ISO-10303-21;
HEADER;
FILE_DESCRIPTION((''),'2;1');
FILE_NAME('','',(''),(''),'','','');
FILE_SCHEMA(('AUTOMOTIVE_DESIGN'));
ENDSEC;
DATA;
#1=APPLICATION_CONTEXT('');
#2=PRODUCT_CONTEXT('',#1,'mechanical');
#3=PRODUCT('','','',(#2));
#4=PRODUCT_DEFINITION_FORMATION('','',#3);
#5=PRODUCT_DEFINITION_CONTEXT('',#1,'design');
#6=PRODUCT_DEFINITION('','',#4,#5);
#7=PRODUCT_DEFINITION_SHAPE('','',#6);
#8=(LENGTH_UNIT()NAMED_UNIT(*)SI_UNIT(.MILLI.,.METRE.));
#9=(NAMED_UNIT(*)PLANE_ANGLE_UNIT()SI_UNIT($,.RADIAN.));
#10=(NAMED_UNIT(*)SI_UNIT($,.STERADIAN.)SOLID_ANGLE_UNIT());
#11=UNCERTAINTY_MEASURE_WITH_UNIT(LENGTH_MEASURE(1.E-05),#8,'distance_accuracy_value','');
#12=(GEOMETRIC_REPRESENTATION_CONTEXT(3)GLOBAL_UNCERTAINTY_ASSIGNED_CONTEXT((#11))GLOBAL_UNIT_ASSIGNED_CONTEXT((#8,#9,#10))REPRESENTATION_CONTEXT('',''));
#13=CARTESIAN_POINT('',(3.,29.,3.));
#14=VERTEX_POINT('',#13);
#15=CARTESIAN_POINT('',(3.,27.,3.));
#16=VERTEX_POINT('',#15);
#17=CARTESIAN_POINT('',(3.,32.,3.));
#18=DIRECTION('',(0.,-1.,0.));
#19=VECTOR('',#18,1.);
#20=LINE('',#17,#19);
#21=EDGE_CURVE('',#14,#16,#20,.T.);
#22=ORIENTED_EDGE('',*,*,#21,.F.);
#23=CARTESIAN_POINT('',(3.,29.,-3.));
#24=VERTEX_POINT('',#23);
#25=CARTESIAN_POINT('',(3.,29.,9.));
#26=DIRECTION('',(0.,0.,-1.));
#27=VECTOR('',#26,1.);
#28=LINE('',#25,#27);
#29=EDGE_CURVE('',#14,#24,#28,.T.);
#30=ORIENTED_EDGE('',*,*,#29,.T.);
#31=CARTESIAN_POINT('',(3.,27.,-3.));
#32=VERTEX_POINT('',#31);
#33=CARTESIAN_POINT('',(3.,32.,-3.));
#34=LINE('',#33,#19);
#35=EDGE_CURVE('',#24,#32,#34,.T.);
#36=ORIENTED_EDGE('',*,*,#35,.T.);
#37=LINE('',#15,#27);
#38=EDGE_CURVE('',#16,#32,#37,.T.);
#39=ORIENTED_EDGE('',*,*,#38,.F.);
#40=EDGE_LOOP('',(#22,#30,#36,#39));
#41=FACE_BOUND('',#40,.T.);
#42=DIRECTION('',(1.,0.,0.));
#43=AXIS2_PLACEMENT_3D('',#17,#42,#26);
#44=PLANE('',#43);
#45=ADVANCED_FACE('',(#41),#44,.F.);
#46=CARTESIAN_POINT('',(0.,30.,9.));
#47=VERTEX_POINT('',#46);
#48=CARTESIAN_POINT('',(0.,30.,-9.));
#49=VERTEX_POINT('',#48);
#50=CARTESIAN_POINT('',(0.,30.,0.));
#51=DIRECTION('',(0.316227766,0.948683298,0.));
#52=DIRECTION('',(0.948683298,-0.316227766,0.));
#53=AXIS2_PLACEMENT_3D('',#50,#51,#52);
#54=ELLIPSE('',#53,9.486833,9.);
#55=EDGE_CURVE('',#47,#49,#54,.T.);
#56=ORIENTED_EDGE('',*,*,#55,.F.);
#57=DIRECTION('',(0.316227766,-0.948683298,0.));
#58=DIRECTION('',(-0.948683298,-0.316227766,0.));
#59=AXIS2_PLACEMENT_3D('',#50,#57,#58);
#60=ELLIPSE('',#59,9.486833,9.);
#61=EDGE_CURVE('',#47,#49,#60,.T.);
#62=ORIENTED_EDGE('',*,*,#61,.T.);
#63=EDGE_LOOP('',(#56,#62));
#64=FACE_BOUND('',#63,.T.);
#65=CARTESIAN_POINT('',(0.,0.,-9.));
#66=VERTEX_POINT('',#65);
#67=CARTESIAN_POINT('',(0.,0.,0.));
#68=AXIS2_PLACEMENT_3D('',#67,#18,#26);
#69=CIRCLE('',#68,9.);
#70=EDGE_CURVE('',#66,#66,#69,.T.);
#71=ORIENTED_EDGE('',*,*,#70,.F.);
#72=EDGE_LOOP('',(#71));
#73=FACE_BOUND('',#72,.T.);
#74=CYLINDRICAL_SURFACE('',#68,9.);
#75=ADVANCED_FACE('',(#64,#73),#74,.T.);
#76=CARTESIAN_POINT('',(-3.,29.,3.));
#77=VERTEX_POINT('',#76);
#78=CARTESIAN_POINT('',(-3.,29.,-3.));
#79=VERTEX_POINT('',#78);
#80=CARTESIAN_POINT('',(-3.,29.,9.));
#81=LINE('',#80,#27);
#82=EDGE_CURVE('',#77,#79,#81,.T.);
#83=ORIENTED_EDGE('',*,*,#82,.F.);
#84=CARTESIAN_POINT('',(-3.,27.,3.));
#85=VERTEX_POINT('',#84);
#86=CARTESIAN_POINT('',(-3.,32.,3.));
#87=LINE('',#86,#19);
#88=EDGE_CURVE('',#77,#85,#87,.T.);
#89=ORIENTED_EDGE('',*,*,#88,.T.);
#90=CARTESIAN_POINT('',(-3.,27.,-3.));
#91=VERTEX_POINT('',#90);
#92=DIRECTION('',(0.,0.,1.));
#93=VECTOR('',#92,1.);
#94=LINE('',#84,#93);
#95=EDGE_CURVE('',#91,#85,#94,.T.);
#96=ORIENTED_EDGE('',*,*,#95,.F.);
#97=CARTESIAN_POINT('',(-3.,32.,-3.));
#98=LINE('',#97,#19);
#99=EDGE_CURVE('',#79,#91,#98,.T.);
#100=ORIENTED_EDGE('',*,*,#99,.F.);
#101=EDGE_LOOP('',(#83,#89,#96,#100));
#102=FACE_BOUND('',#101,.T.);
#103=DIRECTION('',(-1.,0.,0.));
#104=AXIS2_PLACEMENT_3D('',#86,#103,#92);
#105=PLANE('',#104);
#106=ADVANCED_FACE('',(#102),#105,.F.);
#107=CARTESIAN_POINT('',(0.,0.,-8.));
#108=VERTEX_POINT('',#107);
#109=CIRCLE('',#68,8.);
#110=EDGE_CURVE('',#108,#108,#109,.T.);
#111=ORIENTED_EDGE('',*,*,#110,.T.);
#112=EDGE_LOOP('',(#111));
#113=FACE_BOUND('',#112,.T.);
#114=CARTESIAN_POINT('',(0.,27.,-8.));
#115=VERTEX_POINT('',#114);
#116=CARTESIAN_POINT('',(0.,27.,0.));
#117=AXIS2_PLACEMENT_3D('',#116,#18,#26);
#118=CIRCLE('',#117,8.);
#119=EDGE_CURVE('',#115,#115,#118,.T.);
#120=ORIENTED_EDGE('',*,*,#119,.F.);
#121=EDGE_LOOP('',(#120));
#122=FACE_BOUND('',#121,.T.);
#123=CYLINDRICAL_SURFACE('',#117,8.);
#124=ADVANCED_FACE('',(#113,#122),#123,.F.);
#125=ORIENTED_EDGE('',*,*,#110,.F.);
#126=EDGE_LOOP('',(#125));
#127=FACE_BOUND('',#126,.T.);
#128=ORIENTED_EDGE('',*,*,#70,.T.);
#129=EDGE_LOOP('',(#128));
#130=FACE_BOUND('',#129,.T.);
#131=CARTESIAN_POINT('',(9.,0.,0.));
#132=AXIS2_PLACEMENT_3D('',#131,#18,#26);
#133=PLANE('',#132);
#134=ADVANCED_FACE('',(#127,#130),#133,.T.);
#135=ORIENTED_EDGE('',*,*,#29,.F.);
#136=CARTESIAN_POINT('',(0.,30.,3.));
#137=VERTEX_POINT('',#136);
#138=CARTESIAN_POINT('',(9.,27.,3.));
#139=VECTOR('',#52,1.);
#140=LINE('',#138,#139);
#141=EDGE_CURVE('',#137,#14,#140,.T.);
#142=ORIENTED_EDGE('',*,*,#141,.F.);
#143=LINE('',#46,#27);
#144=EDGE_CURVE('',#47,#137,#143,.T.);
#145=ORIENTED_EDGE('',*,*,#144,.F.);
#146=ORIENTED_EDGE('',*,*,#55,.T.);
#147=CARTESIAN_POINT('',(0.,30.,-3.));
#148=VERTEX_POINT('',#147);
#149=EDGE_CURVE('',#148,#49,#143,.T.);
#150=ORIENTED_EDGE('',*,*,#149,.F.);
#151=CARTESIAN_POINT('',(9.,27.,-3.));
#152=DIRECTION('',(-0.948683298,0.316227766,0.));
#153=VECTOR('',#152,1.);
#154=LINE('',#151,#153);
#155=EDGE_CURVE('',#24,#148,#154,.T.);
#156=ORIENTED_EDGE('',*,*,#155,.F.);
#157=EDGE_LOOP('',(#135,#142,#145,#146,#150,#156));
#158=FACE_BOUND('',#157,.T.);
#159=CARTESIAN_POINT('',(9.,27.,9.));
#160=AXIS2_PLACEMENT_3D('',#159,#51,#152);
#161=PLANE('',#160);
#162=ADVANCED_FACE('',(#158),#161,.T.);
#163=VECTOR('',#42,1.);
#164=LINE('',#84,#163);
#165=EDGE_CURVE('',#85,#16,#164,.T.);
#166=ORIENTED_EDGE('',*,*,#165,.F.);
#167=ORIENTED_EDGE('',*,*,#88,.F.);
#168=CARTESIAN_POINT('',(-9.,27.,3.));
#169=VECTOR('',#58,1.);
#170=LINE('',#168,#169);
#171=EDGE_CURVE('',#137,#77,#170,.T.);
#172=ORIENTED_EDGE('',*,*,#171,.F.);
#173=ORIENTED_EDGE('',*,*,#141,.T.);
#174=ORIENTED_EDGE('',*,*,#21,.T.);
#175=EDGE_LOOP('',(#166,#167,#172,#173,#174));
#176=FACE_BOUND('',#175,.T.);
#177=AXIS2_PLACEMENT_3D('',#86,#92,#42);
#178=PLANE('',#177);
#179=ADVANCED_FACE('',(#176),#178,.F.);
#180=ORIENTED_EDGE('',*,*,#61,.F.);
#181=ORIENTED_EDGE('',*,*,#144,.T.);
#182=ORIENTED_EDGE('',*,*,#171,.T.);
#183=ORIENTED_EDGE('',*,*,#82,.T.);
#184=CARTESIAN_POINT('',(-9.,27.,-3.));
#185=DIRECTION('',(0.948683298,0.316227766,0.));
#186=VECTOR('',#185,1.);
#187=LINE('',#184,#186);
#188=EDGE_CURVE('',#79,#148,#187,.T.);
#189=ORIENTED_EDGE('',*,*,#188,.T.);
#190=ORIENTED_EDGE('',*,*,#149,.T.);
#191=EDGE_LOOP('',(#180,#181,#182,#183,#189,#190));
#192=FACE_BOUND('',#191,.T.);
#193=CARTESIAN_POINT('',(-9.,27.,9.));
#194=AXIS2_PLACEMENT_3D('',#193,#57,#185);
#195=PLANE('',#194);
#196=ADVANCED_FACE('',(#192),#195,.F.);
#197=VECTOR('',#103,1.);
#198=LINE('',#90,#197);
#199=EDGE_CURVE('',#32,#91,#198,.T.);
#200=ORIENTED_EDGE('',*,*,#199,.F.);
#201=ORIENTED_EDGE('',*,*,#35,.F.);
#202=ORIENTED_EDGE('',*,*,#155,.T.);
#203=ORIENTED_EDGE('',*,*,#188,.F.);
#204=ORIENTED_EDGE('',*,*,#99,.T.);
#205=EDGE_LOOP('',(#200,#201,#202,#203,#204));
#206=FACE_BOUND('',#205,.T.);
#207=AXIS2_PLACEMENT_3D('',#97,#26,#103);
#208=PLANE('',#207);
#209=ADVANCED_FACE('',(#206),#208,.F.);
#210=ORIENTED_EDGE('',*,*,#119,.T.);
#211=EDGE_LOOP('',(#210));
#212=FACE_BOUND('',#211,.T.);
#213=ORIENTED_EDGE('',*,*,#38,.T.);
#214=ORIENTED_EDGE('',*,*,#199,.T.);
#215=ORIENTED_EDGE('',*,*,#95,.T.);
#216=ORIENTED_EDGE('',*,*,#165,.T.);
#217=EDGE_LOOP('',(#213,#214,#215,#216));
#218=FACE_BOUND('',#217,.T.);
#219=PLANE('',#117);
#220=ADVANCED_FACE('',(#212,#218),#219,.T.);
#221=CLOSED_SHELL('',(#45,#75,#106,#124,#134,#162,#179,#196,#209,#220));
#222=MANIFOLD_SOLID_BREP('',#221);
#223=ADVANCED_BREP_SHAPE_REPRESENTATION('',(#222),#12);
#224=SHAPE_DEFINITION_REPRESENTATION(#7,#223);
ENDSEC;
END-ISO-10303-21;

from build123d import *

# Parameters (mm, degrees)
BOSS_EXTRUDE3_DEPTH      = 9
BOSS_EXTRUDE3_DEPTH_BACK = 9
SKETCH7_R                = 14.642288151
SKETCH7_R_2              = 9
CUT_EXTRUDE3_DEPTH       = 32
SKETCH8_W                = 6
SKETCH8_H                = 6
CUT_EXTRUDE4_DEPTH       = 32
SKETCH9_R                = 8
CUT_EXTRUDE5_DEPTH       = 27


with BuildPart() as part:
    # Sketch1 → Revolve4 (revolve)
    with BuildSketch(Plane.XY):
        Polygon((0, 27), (9, 27), (9, 24.588457268), (9, 0), (0, 0), align=None)
    revolve(axis=Axis((0, 0, 0), (0, 1, 0)))

    # Sketch6 → Boss-Extrude3 (add, two sides)
    with BuildSketch(Plane.XY) as boss_extrude3_sk:
        Polygon((0, 27), (0, 30), (9, 27), align=None)
        Polygon((0, 30), (-9, 27), (0, 27), align=None)
    extrude(amount=BOSS_EXTRUDE3_DEPTH)
    extrude(boss_extrude3_sk.sketch, amount=-BOSS_EXTRUDE3_DEPTH_BACK)

    # Sketch7 → Cut-Extrude3 (cut)
    with BuildSketch(Plane.XZ):
        Circle(SKETCH7_R)
        Circle(SKETCH7_R_2, mode=Mode.SUBTRACT)
    extrude(amount=-CUT_EXTRUDE3_DEPTH, mode=Mode.SUBTRACT)

    # Sketch8 → Cut-Extrude4 (cut)
    with BuildSketch(Plane(origin=(0, 0, 0), x_dir=(-1, 0, 0), z_dir=(0, -1, 0))):
        Rectangle(SKETCH8_W, SKETCH8_H)
    extrude(amount=-CUT_EXTRUDE4_DEPTH, mode=Mode.SUBTRACT)

    # Sketch9 → Cut-Extrude5 (cut)
    with BuildSketch(Plane.XZ):
        Circle(SKETCH9_R)
    extrude(amount=-CUT_EXTRUDE5_DEPTH, mode=Mode.SUBTRACT)


solid = part.part
